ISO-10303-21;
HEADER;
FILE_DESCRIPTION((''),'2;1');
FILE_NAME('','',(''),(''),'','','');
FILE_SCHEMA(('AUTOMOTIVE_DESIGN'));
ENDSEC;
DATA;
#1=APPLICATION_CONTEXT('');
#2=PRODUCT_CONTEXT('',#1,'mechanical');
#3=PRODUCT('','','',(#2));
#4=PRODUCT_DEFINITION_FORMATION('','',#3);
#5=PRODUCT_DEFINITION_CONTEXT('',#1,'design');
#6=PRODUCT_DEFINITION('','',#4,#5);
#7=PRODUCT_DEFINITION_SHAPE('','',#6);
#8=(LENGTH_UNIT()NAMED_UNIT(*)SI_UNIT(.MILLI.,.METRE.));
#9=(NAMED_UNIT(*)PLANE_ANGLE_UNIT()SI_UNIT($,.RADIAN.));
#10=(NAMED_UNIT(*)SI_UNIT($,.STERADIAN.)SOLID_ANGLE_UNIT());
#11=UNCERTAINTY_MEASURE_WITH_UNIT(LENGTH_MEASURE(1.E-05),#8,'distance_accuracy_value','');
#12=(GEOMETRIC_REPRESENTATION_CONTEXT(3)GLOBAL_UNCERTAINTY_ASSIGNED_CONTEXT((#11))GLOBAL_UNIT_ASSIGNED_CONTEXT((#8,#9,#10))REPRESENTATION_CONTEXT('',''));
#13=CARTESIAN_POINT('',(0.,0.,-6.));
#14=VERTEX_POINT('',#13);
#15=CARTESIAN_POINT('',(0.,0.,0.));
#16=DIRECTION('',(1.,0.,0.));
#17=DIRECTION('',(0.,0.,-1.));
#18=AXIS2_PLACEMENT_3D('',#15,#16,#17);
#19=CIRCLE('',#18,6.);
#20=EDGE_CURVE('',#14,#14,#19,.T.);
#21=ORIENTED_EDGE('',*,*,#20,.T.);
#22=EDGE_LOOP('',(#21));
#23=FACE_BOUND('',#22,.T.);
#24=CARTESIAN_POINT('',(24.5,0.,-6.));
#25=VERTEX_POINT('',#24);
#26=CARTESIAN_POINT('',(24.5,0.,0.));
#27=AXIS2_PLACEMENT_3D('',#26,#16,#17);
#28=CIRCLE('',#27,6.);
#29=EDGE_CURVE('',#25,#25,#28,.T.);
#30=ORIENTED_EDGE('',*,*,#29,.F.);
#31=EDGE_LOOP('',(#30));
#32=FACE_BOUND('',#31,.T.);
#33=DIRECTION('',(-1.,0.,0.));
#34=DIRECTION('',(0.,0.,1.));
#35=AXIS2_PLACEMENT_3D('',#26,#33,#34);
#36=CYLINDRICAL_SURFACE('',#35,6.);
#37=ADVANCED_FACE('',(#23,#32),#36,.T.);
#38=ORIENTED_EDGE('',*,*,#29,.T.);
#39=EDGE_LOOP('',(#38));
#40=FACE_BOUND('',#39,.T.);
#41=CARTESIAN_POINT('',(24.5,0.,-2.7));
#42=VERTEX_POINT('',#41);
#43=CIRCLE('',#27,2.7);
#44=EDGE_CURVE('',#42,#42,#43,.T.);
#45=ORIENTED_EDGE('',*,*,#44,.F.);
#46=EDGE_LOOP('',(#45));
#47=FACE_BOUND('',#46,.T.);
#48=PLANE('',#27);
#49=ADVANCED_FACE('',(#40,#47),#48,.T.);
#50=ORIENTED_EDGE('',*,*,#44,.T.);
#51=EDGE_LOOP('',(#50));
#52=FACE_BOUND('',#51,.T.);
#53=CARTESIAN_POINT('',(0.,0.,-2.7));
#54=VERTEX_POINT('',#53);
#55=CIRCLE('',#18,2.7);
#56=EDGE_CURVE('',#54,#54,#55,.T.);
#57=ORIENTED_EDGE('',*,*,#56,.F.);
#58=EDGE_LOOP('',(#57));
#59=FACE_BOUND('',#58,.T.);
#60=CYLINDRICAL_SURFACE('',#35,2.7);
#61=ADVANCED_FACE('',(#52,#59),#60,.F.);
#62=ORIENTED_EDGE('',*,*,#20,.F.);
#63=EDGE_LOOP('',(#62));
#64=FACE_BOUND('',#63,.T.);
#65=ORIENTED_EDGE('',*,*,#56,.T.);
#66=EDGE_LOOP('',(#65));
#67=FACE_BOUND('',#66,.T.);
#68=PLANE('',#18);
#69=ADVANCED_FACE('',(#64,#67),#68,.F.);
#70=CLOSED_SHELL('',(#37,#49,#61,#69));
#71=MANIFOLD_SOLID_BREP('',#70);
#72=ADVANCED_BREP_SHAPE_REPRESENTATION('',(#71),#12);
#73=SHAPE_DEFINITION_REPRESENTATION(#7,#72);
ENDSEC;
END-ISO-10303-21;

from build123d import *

# Parameters (mm, degrees)
SKETCH_1_R      = 6
SKETCH_1_R_2    = 2.7
EXTRUDE_1_DEPTH = 24.5


with BuildPart() as part:
    # 草图1 → 凸台-拉伸1 (new body)
    with BuildSketch(Plane(origin=(0, 0, 0), x_dir=(0, 0, -1), z_dir=(1, 0, 0))):
        Circle(SKETCH_1_R)
        Circle(SKETCH_1_R_2, mode=Mode.SUBTRACT)
    extrude(amount=EXTRUDE_1_DEPTH)


solid = part.part
